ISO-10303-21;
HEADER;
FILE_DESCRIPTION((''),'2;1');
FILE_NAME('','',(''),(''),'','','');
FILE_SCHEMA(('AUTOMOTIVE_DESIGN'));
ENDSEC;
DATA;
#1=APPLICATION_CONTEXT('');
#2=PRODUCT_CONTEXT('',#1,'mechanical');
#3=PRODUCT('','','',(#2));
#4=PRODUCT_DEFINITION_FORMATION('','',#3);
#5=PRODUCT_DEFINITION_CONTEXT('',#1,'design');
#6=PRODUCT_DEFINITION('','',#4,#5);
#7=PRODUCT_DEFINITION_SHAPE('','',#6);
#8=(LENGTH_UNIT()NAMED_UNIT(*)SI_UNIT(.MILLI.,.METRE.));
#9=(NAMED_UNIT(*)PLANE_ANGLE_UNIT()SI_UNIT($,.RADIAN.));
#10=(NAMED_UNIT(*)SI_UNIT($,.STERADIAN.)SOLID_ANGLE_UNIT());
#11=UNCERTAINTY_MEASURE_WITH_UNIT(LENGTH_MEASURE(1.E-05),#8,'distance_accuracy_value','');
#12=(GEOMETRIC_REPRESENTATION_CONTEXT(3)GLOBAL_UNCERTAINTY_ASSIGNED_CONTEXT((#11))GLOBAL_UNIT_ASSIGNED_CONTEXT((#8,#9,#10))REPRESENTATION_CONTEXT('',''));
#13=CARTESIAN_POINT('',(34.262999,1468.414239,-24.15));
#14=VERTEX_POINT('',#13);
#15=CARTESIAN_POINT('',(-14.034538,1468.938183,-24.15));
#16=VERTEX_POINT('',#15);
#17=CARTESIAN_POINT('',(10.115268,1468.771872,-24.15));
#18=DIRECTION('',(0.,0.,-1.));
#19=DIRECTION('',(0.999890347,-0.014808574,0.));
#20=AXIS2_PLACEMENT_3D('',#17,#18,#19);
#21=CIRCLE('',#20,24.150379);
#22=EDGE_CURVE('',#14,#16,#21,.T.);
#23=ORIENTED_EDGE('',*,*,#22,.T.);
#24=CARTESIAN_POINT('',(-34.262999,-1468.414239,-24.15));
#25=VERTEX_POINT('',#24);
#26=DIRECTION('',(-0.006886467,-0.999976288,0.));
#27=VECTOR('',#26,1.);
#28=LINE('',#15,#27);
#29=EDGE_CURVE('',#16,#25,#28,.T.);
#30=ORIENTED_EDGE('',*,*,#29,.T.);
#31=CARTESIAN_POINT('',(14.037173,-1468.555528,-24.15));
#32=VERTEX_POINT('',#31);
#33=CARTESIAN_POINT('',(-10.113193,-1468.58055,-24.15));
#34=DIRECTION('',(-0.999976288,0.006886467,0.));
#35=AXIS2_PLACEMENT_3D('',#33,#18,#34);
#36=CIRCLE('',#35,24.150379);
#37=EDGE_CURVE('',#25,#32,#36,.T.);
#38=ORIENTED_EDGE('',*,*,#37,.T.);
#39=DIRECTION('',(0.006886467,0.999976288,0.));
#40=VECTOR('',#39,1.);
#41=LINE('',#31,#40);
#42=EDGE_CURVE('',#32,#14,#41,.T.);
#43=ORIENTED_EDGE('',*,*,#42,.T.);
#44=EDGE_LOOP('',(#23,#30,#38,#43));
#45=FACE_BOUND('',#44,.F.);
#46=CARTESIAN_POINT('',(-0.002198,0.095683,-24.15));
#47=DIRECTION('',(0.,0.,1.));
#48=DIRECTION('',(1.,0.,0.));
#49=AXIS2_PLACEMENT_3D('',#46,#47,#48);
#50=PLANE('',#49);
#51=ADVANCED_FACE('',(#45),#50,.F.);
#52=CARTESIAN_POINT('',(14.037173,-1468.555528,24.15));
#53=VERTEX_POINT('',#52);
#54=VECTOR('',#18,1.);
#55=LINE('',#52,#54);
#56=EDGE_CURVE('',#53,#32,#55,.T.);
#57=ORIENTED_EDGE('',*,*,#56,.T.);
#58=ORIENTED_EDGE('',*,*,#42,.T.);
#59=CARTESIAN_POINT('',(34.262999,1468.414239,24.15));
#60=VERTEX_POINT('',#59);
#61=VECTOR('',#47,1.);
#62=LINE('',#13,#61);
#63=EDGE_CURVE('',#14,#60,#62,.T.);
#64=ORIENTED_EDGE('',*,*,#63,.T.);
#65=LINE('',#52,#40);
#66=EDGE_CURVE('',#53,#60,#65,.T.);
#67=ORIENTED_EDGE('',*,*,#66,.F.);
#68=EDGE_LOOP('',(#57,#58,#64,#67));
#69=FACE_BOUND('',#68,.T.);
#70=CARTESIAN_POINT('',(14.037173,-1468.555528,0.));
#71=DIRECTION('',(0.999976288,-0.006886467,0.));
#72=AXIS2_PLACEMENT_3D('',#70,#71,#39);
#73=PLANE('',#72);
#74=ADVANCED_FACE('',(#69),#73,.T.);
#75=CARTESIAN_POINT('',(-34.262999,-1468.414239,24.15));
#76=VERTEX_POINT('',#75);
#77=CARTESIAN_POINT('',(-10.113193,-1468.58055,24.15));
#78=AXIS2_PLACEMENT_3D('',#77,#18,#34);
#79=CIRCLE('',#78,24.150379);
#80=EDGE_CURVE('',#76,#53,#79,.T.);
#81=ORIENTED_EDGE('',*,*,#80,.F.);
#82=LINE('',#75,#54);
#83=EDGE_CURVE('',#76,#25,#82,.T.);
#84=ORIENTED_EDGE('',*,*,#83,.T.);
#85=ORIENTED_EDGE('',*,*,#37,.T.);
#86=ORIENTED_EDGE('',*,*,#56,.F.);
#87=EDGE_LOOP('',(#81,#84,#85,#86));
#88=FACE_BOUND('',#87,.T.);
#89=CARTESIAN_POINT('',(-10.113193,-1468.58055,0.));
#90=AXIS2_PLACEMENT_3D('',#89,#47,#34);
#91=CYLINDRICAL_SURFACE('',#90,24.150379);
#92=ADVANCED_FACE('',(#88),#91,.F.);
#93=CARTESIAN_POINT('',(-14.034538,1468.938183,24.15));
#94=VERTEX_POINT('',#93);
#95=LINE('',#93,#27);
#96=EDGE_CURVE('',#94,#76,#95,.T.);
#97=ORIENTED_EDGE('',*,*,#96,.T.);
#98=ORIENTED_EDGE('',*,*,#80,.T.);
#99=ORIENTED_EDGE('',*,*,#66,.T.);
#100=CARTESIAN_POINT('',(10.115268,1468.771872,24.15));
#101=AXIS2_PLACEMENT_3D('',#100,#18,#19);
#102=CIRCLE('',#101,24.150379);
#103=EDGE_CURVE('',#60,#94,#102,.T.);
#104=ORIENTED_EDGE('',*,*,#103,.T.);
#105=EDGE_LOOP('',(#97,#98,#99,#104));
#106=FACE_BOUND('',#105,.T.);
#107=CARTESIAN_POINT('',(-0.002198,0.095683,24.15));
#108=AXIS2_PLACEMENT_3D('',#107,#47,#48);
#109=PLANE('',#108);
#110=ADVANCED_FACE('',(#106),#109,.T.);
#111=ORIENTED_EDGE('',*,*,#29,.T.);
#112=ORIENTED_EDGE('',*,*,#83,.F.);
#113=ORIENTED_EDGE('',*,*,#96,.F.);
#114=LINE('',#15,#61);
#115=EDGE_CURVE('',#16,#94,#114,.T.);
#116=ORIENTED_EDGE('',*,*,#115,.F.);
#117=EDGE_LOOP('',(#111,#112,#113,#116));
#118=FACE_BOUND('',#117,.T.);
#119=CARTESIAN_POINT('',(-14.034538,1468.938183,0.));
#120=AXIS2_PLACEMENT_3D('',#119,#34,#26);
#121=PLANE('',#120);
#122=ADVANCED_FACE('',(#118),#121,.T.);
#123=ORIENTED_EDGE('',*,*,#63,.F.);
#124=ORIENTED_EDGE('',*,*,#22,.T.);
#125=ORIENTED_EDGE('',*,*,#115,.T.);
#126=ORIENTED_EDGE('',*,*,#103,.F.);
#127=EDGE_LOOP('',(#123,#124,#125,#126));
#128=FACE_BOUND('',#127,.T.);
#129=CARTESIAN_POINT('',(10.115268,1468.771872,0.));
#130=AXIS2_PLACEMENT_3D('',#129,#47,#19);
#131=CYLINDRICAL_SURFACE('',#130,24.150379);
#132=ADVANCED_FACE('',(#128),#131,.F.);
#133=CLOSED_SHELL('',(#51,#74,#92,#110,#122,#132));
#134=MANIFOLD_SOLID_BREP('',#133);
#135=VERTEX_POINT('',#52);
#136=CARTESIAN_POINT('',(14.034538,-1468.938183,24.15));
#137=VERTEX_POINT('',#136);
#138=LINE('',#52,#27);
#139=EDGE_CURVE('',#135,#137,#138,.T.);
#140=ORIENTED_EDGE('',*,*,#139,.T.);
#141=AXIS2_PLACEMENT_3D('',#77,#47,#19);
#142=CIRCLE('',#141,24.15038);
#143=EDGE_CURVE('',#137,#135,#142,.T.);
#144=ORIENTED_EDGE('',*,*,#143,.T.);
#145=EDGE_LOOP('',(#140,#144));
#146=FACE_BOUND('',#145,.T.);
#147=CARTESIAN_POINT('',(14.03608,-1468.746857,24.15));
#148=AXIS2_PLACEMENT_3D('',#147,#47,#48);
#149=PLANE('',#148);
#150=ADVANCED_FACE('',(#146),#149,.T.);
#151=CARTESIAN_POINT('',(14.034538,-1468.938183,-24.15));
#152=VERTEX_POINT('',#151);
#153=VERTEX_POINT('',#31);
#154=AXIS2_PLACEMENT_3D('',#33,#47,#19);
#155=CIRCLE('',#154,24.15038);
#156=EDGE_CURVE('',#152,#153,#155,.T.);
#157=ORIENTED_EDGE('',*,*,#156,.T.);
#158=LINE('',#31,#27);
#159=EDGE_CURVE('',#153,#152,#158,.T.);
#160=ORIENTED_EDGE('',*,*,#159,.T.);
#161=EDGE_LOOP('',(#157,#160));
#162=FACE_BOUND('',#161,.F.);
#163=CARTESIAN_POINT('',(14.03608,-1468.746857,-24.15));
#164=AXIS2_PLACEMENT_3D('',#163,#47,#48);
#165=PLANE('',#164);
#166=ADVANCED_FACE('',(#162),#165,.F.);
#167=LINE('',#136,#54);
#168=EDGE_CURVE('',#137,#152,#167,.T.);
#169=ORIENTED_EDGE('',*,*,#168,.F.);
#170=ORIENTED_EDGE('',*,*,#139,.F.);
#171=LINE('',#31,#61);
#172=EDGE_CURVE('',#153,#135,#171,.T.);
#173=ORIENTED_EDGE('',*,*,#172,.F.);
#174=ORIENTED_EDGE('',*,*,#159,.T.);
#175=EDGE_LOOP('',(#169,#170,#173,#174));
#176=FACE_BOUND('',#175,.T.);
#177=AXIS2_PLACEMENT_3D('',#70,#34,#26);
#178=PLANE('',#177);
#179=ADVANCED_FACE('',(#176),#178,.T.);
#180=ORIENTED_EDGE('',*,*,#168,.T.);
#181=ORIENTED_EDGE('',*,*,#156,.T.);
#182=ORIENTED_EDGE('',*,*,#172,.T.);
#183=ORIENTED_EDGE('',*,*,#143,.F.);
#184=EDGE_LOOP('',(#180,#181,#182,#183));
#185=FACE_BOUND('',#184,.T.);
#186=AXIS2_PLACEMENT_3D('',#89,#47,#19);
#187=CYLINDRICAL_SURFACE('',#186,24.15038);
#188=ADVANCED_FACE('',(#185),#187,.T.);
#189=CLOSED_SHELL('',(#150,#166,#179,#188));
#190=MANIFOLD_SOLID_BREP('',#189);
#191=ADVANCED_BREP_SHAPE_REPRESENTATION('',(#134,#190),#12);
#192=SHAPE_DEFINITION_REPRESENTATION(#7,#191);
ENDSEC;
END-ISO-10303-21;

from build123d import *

# Parameters (mm, degrees)
F1_DEPTH = 24.15


with BuildPart() as f1:
    # F0 (on Top) → F1 (new body, symmetric)
    with BuildSketch(Plane.XY):
        with BuildLine():
            ThreePointArc((14.0345381969, -1468.9381826605), (14.0366137033, -1468.7468607823), (14.037173395, -1468.5555284653))
            Line((14.037173395, -1468.5555284653), (14.0345381969, -1468.9381826605))
        make_face()
    extrude(amount=F1_DEPTH, both=True)


with BuildPart() as f1b:
    # F0 (on Top) → F1, piece 2 (new body, symmetric)
    with BuildSketch(Plane.XY):
        with BuildLine():
            Line((14.037173395, -1468.5555284653), (34.2629989146, 1468.4142391983))
            ThreePointArc((34.2629989146, 1468.4142391983), (9.8532943255, 1444.6229138416), (-14.0345381969, 1468.9381826605))
            Line((-14.0345381969, 1468.9381826605), (-34.2629989146, -1468.4142391983))
            ThreePointArc((-34.2629989146, -1468.4142391983), (-10.0425474178, -1444.4302743544), (14.037173395, -1468.5555284653))
        make_face()
    extrude(amount=F1_DEPTH, both=True)


solid = Compound([f1.part, f1b.part])
